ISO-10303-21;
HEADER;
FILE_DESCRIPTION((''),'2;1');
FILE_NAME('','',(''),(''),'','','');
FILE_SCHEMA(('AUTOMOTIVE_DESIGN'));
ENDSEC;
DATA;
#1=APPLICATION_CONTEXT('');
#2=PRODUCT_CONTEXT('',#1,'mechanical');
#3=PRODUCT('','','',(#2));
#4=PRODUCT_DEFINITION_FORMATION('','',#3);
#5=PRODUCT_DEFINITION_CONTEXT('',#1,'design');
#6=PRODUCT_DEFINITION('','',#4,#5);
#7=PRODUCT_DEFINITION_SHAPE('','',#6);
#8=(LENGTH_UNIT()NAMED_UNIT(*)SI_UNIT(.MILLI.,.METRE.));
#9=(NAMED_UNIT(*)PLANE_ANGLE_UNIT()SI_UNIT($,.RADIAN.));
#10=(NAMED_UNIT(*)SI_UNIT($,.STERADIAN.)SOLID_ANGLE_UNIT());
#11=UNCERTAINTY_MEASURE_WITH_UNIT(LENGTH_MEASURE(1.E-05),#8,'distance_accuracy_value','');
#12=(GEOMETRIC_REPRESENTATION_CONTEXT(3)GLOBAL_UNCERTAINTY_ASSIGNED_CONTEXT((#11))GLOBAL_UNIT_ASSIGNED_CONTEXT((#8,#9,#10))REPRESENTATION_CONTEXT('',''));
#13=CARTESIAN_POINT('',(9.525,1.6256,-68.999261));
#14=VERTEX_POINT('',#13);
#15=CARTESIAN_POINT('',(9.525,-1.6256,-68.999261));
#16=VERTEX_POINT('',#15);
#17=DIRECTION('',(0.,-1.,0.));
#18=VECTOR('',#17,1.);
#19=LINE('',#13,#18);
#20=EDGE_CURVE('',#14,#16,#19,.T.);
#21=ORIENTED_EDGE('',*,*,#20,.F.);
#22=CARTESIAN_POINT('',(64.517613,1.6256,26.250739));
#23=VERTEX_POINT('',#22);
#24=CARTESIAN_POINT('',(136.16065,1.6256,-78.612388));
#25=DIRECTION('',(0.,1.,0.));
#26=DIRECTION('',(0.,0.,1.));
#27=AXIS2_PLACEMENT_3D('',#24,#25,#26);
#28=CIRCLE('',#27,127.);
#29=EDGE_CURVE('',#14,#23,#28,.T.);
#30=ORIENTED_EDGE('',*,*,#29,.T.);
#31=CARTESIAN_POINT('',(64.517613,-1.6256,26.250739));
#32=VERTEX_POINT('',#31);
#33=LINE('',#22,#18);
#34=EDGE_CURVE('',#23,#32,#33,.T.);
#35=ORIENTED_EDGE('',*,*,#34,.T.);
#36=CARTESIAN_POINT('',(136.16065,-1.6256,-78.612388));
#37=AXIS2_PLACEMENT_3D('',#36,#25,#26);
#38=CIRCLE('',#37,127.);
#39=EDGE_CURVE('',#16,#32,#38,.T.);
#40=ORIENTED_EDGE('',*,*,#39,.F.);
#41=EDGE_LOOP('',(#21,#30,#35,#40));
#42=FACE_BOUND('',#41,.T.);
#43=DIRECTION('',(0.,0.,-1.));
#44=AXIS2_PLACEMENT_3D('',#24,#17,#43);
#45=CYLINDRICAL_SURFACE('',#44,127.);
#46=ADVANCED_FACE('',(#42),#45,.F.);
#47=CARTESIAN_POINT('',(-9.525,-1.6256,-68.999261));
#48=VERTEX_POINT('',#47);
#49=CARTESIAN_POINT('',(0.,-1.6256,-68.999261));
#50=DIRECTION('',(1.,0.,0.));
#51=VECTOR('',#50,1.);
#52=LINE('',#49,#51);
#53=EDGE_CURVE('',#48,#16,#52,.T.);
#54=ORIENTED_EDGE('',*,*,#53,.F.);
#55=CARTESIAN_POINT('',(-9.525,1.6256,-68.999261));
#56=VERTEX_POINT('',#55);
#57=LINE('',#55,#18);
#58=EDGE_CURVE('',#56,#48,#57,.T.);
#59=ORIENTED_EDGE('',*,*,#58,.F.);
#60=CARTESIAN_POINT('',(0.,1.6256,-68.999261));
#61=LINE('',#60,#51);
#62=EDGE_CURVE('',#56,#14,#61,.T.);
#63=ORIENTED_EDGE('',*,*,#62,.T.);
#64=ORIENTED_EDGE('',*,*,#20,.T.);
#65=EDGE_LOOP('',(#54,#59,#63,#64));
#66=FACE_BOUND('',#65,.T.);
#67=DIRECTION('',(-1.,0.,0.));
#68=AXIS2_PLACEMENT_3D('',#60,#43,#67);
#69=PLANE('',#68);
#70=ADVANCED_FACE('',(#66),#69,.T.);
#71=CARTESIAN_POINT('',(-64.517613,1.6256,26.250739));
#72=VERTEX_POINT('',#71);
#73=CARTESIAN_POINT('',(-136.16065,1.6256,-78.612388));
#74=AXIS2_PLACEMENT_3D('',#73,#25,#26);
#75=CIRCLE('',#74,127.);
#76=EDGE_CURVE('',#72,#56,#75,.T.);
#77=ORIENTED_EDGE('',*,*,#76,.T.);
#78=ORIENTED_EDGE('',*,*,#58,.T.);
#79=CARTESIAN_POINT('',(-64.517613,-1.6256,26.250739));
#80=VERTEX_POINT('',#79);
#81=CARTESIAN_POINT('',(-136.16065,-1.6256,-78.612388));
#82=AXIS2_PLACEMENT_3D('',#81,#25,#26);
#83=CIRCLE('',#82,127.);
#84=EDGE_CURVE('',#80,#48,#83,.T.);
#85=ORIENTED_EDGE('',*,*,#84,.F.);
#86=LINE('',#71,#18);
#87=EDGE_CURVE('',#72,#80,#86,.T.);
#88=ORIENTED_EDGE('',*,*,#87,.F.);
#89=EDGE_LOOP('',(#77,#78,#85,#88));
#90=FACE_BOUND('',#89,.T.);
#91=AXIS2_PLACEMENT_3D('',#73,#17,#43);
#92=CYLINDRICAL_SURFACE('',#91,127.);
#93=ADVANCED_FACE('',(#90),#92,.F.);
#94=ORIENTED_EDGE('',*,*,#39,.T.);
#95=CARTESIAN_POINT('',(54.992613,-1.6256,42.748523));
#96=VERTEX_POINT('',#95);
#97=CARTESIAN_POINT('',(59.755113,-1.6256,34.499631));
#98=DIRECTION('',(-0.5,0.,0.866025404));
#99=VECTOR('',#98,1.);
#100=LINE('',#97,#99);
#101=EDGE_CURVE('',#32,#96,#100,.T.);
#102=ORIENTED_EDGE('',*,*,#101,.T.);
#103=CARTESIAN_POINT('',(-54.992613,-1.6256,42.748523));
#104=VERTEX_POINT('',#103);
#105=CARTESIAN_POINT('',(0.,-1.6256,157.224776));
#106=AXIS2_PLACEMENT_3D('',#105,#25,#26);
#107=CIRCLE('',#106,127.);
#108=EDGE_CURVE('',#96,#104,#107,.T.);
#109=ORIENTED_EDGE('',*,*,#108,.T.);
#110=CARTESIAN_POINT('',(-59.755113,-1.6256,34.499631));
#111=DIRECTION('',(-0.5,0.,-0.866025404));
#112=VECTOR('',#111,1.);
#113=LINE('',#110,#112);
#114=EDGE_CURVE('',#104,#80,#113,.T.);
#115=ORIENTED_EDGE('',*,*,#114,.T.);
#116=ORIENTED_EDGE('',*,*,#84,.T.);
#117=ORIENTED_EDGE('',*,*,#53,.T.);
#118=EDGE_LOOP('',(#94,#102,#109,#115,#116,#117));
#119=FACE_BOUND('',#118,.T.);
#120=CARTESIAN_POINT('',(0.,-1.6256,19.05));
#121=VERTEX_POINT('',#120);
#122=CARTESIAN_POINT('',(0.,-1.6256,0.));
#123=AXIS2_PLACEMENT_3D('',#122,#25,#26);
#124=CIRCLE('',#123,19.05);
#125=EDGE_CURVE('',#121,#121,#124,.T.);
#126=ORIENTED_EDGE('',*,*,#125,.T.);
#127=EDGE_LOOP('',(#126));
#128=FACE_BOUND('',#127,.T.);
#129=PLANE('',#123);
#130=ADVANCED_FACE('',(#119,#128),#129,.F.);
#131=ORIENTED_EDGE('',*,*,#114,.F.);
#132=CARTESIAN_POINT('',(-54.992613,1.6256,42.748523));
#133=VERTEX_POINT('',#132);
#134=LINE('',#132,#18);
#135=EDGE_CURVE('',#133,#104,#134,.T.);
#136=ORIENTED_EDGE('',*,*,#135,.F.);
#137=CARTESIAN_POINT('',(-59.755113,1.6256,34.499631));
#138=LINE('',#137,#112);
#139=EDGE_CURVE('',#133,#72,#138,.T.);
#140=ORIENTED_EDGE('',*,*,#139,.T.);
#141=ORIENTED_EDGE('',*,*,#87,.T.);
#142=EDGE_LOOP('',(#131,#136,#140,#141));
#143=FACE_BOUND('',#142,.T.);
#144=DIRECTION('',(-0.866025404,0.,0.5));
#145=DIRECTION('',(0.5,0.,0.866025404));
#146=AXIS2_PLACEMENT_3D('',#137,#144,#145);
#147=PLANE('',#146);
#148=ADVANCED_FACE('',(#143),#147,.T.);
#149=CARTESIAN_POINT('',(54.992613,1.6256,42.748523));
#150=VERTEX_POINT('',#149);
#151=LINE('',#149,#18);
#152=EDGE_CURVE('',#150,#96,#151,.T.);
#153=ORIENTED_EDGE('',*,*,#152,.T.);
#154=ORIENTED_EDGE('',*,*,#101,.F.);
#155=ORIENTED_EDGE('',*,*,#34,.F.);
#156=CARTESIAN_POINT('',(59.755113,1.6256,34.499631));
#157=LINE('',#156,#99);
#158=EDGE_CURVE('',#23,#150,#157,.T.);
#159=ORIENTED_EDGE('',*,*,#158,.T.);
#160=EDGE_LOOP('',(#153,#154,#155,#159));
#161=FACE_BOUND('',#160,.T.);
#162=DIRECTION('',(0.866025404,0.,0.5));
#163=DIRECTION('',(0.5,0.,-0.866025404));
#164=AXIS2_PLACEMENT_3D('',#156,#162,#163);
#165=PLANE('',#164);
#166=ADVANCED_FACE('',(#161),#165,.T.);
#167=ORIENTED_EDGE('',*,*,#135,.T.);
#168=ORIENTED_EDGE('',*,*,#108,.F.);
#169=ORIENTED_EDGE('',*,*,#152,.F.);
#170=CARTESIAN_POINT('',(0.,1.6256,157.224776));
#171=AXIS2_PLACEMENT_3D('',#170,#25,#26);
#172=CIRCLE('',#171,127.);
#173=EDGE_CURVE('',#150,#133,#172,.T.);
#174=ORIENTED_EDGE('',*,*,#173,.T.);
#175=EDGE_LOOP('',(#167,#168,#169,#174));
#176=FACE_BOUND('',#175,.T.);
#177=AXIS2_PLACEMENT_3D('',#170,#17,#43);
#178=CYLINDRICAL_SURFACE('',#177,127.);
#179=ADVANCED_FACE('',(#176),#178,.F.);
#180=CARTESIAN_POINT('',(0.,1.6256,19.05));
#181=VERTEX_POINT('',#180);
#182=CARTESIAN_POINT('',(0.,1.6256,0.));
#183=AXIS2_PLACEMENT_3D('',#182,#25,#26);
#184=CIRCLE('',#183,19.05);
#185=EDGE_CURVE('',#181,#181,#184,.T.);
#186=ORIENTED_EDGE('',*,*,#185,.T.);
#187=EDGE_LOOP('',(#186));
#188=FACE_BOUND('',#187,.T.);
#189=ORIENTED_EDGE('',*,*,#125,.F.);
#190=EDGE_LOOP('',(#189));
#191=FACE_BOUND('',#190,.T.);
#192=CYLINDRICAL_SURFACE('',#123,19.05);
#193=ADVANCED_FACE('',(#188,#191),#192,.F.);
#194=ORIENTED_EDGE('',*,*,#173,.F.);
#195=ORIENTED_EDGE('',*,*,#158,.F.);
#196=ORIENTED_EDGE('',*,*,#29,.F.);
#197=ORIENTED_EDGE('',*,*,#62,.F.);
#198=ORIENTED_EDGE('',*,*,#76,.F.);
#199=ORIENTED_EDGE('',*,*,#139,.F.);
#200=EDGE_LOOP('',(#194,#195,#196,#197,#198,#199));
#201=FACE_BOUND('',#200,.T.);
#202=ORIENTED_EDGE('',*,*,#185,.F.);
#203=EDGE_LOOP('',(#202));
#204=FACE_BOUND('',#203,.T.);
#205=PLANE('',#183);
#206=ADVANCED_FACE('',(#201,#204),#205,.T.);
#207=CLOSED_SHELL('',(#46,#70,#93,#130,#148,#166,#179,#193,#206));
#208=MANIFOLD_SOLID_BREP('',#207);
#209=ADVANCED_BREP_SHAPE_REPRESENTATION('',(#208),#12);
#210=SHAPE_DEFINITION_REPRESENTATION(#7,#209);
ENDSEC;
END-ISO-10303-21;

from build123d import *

# Parameters (mm, degrees)
BOSS_EXTRUDE1_DEPTH = 1.6256
SKETCH3_R           = 19.05
CUT_EXTRUDE2_DEPTH  = 95.519790354


with BuildPart() as part:
    # Sketch1 → Boss-Extrude1 (new, symmetric)
    with BuildSketch(Plane(origin=(0, 0, 0), x_dir=(1, 0, 0), z_dir=(0, 1, 0))):
        with BuildLine():
            ThreePointArc((-64.51761314, -26.250738686), (-26.175423514, 15.112387812), (-9.525, 68.999261314))
            Line((-9.525, 68.999261314), (-9.525, 5.499261314))
            Line((-9.525, 5.499261314), (-64.51761314, -26.250738686))
        make_face()
        Polygon((-9.525, 5.499261314), (-9.525, 68.999261314), (9.525, 68.999261314), (9.525, 5.499261314), (64.51761314, -26.250738686), (54.99261314, -42.748522628), (0, -10.998522628), (-54.99261314, -42.748522628), (-64.51761314, -26.250738686), align=None)
        with BuildLine():
            ThreePointArc((54.99261314, -42.748522628), (0, -30.224775624), (-54.99261314, -42.748522628))
            Line((-54.99261314, -42.748522628), (0, -10.998522628))
            Line((0, -10.998522628), (54.99261314, -42.748522628))
        make_face()
        with BuildLine():
            ThreePointArc((9.525, 68.999261314), (26.175423514, 15.112387812), (64.51761314, -26.250738686))
            Line((64.51761314, -26.250738686), (9.525, 5.499261314))
            Line((9.525, 5.499261314), (9.525, 68.999261314))
        make_face()
    extrude(amount=BOSS_EXTRUDE1_DEPTH, both=True)

    # Sketch3 → Cut-Extrude2 (cut, through all)
    with BuildSketch(Plane(origin=(0, 1.6256, 0), x_dir=(1, 0, 0), z_dir=(0, 1, 0))):
        with Locations(Location((0, 0, 0), (0, 0, 270))):
            Circle(SKETCH3_R)
    extrude(amount=-CUT_EXTRUDE2_DEPTH, mode=Mode.SUBTRACT)


solid = part.part
